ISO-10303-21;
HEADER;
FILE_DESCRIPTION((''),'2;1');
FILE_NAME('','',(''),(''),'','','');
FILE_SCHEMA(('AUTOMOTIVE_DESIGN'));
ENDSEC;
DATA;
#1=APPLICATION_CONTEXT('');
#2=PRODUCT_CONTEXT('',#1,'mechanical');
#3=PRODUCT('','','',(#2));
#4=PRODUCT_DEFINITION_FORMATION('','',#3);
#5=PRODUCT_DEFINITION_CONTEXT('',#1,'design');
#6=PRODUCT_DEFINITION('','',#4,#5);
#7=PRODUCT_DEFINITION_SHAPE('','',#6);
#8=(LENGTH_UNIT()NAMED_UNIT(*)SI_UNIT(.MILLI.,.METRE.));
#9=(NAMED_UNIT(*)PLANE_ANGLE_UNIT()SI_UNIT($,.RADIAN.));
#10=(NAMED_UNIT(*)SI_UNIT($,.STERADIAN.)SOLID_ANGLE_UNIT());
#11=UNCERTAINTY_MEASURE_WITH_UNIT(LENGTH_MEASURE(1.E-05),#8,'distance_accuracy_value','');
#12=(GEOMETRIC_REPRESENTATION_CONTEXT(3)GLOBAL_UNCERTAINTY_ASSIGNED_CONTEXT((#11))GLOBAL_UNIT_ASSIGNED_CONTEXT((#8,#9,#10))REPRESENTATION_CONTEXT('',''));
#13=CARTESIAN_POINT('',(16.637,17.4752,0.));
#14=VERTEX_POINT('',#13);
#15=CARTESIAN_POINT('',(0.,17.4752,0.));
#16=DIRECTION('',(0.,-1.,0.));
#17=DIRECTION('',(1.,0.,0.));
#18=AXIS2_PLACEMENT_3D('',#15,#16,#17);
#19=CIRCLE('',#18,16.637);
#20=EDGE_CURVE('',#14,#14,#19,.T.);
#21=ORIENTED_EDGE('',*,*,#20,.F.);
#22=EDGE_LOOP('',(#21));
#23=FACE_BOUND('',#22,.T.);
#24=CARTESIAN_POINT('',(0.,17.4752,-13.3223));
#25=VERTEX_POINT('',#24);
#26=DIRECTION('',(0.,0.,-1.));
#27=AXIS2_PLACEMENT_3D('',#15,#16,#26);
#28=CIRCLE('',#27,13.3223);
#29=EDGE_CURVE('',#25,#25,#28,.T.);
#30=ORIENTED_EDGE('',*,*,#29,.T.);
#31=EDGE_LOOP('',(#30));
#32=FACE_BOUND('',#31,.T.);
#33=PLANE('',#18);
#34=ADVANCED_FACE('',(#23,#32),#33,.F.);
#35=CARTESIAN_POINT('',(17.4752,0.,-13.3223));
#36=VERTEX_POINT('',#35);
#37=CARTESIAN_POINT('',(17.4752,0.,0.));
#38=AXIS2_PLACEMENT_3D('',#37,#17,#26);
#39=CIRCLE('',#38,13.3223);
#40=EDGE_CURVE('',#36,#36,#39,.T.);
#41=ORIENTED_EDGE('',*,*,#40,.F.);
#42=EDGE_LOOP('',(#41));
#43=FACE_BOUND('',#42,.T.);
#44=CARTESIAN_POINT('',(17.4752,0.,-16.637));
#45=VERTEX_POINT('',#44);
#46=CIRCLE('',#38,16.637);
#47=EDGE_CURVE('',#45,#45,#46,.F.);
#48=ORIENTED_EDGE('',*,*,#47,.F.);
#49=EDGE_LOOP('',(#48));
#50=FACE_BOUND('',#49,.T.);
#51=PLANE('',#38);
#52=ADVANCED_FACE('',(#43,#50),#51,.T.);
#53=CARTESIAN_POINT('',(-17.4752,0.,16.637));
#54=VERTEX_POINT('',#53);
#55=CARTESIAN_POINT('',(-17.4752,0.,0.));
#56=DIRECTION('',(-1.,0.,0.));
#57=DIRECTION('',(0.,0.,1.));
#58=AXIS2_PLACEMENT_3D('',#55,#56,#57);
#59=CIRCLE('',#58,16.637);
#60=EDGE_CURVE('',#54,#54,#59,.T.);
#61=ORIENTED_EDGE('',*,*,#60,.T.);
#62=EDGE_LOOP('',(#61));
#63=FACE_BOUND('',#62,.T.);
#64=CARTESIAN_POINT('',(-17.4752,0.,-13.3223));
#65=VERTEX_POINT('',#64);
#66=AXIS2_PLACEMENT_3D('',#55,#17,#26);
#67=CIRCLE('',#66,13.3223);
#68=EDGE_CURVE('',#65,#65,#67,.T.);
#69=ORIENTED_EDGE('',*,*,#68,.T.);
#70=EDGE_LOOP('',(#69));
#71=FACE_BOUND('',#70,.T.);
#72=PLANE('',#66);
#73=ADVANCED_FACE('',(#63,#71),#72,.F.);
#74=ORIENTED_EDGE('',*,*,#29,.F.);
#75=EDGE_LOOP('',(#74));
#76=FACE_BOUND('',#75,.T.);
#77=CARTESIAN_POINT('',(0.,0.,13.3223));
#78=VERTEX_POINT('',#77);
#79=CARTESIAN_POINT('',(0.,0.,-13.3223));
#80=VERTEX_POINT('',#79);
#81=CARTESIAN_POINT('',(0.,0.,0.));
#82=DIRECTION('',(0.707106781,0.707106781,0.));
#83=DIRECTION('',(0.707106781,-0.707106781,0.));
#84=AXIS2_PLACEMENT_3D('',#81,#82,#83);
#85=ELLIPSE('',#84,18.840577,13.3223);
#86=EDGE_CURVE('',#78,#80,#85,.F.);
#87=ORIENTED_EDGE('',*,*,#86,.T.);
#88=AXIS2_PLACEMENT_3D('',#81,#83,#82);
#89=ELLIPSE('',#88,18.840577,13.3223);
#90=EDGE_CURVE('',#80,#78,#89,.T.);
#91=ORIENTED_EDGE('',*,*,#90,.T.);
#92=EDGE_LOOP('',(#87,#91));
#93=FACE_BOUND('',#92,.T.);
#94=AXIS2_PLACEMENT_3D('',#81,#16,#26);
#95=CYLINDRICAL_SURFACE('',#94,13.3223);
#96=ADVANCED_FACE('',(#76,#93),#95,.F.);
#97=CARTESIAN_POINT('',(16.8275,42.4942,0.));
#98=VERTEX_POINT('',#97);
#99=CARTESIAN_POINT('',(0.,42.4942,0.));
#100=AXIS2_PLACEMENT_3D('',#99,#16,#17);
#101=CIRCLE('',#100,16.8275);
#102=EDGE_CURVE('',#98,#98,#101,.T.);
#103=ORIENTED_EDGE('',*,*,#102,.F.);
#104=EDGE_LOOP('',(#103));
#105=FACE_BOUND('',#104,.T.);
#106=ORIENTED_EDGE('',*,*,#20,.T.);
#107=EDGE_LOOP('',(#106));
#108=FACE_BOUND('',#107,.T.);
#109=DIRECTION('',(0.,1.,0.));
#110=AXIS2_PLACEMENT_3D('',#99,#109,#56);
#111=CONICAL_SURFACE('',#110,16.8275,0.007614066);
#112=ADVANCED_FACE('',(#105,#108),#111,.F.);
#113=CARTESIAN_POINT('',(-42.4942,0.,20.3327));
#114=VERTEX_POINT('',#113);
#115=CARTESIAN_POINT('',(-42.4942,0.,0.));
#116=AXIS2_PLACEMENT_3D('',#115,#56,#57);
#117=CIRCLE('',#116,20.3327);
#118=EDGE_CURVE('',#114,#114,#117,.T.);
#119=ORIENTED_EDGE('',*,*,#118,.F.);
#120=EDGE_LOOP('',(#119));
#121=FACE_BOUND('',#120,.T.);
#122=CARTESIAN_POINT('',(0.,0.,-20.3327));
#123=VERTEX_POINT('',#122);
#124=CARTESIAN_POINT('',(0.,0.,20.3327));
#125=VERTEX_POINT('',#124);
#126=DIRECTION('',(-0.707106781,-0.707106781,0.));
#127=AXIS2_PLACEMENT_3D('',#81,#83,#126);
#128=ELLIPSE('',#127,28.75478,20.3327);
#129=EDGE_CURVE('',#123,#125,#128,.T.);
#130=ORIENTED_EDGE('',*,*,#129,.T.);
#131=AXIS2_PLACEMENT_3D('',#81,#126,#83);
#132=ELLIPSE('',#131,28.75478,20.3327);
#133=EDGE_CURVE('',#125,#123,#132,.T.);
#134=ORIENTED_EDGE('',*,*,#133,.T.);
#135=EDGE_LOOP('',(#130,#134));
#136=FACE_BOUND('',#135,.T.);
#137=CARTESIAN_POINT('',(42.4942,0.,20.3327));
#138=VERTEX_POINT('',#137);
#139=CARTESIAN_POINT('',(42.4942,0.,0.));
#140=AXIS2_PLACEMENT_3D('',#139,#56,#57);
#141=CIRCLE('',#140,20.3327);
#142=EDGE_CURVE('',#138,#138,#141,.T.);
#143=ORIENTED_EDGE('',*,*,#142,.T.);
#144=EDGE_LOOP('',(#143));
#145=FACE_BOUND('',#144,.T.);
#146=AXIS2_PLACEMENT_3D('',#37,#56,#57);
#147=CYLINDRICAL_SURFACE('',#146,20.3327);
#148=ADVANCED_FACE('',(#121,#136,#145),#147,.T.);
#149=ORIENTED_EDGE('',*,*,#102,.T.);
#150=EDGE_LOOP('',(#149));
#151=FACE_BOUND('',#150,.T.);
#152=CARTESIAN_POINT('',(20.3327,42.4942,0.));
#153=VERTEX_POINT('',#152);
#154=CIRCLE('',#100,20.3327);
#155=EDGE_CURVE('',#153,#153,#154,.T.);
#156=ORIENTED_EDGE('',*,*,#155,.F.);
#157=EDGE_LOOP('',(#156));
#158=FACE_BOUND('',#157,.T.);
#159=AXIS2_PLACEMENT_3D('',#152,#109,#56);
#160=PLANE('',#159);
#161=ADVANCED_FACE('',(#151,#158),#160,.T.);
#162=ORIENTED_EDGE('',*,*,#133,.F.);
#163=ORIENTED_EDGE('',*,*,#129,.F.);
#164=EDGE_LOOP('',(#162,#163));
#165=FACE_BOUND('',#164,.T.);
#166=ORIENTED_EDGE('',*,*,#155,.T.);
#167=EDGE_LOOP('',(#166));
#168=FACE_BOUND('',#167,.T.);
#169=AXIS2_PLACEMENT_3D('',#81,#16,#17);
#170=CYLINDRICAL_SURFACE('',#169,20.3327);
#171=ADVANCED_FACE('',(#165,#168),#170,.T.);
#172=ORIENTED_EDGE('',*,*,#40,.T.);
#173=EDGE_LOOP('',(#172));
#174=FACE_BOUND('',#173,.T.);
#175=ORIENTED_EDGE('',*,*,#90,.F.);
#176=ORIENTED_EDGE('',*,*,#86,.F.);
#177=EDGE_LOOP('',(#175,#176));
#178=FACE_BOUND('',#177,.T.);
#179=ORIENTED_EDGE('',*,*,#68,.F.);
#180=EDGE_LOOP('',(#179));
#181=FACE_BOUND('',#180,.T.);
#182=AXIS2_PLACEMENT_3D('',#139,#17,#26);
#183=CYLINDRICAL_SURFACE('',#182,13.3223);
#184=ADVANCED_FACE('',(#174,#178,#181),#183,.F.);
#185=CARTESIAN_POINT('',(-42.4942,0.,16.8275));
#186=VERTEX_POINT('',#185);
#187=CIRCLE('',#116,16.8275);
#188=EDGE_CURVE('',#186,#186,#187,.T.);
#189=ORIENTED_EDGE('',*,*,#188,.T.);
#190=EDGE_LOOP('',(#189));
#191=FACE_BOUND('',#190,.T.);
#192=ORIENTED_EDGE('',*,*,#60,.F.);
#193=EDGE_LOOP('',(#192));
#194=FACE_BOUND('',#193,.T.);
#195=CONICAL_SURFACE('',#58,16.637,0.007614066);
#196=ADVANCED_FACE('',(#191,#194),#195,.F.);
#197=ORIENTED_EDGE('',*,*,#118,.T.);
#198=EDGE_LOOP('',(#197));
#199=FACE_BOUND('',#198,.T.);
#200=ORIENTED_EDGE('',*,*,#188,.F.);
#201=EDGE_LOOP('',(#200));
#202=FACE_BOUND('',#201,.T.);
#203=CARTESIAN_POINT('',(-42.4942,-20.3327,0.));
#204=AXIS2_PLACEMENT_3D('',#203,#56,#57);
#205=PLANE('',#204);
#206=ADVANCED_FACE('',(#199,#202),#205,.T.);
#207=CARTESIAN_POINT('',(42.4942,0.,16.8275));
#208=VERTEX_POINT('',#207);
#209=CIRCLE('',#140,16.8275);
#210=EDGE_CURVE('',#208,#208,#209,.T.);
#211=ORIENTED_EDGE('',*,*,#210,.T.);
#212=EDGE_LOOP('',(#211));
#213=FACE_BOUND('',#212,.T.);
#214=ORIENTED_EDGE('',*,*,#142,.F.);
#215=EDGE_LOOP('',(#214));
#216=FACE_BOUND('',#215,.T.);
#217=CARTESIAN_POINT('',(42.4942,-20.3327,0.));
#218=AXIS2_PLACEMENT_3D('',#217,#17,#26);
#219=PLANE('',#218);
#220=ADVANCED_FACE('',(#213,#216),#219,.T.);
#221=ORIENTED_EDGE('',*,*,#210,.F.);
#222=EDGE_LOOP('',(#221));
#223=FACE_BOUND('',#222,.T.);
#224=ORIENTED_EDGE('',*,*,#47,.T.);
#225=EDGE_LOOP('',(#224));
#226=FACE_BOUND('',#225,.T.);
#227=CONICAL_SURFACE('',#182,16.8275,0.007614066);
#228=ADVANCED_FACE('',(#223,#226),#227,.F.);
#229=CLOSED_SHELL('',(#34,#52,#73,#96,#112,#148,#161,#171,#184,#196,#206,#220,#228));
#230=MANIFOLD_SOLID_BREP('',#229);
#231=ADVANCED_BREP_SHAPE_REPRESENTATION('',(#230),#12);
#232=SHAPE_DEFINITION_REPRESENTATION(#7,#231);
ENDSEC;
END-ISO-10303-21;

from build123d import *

# Parameters (mm, degrees)
SKETCH4_R           = 20.3327
BOSS_EXTRUDE1_DEPTH = 34.9504
SKETCH5_R           = 20.3327
BOSS_EXTRUDE2_DEPTH = 17.4752


with BuildPart() as part:
    # Sketch1 → Revolve1 (revolve)
    with BuildSketch(Plane.XY):
        Polygon((-42.4942, -20.3327), (-17.4752, -20.3327), (-17.4752, -16.637), (-42.4942, -16.8275), align=None)
        Polygon((42.4942, -16.8275), (17.4752, -16.637), (17.4752, -20.3327), (42.4942, -20.3327), align=None)
    revolve(axis=Axis((-42.4942, 0, 0), (1, 0, 0)))



with BuildPart() as body_2:
    # Sketch2 → Revolve2 (revolve)
    with BuildSketch(Plane.XY):
        Polygon((16.8275, 42.4942), (16.637, 17.4752), (20.3327, 17.4752), (20.3327, 42.4942), align=None)
    revolve(axis=Axis((0, 0, 0), (0, 1, 0)))


with BuildPart() as part_1:
    add(part.part)

    add(body_2.part)  # Boss-Extrude1 merges body 2
    # Sketch4 → Boss-Extrude1 (add)
    with BuildSketch(Plane(origin=(-17.4752, 0, 0), x_dir=(0, 0, -1), z_dir=(1, 0, 0))):
        Circle(SKETCH4_R)
    extrude(amount=BOSS_EXTRUDE1_DEPTH)

    # Sketch5 → Boss-Extrude2 (add)
    with BuildSketch(Plane.XZ.offset(-17.4752)):
        Circle(SKETCH5_R)
    extrude(amount=BOSS_EXTRUDE2_DEPTH)

    # Sketch6 → Cut-Revolve1 (revolve, cut)
    with BuildSketch(Plane.XY):
        Polygon((-42.4942, -16.8275), (-17.4752, -16.637), (-17.4752, -13.3223), (17.4752, -13.3223), (17.4752, -16.637), (42.4942, -16.8275), (42.4942, 0), (-42.4942, 0), align=None)
    revolve(axis=Axis((42.4942, 0, 0), (-1, 0, 0)), mode=Mode.SUBTRACT)

    # Sketch7 → Cut-Revolve2 (revolve, cut)
    with BuildSketch(Plane.XY):
        Polygon((16.8275, 42.4942), (16.637, 17.4752), (13.3223, 17.4752), (13.3223, 0), (0, 0), (0, 42.4942), align=None)
    revolve(axis=Axis((0, 0, 0), (0, 1, 0)), mode=Mode.SUBTRACT)


solid = part_1.part
